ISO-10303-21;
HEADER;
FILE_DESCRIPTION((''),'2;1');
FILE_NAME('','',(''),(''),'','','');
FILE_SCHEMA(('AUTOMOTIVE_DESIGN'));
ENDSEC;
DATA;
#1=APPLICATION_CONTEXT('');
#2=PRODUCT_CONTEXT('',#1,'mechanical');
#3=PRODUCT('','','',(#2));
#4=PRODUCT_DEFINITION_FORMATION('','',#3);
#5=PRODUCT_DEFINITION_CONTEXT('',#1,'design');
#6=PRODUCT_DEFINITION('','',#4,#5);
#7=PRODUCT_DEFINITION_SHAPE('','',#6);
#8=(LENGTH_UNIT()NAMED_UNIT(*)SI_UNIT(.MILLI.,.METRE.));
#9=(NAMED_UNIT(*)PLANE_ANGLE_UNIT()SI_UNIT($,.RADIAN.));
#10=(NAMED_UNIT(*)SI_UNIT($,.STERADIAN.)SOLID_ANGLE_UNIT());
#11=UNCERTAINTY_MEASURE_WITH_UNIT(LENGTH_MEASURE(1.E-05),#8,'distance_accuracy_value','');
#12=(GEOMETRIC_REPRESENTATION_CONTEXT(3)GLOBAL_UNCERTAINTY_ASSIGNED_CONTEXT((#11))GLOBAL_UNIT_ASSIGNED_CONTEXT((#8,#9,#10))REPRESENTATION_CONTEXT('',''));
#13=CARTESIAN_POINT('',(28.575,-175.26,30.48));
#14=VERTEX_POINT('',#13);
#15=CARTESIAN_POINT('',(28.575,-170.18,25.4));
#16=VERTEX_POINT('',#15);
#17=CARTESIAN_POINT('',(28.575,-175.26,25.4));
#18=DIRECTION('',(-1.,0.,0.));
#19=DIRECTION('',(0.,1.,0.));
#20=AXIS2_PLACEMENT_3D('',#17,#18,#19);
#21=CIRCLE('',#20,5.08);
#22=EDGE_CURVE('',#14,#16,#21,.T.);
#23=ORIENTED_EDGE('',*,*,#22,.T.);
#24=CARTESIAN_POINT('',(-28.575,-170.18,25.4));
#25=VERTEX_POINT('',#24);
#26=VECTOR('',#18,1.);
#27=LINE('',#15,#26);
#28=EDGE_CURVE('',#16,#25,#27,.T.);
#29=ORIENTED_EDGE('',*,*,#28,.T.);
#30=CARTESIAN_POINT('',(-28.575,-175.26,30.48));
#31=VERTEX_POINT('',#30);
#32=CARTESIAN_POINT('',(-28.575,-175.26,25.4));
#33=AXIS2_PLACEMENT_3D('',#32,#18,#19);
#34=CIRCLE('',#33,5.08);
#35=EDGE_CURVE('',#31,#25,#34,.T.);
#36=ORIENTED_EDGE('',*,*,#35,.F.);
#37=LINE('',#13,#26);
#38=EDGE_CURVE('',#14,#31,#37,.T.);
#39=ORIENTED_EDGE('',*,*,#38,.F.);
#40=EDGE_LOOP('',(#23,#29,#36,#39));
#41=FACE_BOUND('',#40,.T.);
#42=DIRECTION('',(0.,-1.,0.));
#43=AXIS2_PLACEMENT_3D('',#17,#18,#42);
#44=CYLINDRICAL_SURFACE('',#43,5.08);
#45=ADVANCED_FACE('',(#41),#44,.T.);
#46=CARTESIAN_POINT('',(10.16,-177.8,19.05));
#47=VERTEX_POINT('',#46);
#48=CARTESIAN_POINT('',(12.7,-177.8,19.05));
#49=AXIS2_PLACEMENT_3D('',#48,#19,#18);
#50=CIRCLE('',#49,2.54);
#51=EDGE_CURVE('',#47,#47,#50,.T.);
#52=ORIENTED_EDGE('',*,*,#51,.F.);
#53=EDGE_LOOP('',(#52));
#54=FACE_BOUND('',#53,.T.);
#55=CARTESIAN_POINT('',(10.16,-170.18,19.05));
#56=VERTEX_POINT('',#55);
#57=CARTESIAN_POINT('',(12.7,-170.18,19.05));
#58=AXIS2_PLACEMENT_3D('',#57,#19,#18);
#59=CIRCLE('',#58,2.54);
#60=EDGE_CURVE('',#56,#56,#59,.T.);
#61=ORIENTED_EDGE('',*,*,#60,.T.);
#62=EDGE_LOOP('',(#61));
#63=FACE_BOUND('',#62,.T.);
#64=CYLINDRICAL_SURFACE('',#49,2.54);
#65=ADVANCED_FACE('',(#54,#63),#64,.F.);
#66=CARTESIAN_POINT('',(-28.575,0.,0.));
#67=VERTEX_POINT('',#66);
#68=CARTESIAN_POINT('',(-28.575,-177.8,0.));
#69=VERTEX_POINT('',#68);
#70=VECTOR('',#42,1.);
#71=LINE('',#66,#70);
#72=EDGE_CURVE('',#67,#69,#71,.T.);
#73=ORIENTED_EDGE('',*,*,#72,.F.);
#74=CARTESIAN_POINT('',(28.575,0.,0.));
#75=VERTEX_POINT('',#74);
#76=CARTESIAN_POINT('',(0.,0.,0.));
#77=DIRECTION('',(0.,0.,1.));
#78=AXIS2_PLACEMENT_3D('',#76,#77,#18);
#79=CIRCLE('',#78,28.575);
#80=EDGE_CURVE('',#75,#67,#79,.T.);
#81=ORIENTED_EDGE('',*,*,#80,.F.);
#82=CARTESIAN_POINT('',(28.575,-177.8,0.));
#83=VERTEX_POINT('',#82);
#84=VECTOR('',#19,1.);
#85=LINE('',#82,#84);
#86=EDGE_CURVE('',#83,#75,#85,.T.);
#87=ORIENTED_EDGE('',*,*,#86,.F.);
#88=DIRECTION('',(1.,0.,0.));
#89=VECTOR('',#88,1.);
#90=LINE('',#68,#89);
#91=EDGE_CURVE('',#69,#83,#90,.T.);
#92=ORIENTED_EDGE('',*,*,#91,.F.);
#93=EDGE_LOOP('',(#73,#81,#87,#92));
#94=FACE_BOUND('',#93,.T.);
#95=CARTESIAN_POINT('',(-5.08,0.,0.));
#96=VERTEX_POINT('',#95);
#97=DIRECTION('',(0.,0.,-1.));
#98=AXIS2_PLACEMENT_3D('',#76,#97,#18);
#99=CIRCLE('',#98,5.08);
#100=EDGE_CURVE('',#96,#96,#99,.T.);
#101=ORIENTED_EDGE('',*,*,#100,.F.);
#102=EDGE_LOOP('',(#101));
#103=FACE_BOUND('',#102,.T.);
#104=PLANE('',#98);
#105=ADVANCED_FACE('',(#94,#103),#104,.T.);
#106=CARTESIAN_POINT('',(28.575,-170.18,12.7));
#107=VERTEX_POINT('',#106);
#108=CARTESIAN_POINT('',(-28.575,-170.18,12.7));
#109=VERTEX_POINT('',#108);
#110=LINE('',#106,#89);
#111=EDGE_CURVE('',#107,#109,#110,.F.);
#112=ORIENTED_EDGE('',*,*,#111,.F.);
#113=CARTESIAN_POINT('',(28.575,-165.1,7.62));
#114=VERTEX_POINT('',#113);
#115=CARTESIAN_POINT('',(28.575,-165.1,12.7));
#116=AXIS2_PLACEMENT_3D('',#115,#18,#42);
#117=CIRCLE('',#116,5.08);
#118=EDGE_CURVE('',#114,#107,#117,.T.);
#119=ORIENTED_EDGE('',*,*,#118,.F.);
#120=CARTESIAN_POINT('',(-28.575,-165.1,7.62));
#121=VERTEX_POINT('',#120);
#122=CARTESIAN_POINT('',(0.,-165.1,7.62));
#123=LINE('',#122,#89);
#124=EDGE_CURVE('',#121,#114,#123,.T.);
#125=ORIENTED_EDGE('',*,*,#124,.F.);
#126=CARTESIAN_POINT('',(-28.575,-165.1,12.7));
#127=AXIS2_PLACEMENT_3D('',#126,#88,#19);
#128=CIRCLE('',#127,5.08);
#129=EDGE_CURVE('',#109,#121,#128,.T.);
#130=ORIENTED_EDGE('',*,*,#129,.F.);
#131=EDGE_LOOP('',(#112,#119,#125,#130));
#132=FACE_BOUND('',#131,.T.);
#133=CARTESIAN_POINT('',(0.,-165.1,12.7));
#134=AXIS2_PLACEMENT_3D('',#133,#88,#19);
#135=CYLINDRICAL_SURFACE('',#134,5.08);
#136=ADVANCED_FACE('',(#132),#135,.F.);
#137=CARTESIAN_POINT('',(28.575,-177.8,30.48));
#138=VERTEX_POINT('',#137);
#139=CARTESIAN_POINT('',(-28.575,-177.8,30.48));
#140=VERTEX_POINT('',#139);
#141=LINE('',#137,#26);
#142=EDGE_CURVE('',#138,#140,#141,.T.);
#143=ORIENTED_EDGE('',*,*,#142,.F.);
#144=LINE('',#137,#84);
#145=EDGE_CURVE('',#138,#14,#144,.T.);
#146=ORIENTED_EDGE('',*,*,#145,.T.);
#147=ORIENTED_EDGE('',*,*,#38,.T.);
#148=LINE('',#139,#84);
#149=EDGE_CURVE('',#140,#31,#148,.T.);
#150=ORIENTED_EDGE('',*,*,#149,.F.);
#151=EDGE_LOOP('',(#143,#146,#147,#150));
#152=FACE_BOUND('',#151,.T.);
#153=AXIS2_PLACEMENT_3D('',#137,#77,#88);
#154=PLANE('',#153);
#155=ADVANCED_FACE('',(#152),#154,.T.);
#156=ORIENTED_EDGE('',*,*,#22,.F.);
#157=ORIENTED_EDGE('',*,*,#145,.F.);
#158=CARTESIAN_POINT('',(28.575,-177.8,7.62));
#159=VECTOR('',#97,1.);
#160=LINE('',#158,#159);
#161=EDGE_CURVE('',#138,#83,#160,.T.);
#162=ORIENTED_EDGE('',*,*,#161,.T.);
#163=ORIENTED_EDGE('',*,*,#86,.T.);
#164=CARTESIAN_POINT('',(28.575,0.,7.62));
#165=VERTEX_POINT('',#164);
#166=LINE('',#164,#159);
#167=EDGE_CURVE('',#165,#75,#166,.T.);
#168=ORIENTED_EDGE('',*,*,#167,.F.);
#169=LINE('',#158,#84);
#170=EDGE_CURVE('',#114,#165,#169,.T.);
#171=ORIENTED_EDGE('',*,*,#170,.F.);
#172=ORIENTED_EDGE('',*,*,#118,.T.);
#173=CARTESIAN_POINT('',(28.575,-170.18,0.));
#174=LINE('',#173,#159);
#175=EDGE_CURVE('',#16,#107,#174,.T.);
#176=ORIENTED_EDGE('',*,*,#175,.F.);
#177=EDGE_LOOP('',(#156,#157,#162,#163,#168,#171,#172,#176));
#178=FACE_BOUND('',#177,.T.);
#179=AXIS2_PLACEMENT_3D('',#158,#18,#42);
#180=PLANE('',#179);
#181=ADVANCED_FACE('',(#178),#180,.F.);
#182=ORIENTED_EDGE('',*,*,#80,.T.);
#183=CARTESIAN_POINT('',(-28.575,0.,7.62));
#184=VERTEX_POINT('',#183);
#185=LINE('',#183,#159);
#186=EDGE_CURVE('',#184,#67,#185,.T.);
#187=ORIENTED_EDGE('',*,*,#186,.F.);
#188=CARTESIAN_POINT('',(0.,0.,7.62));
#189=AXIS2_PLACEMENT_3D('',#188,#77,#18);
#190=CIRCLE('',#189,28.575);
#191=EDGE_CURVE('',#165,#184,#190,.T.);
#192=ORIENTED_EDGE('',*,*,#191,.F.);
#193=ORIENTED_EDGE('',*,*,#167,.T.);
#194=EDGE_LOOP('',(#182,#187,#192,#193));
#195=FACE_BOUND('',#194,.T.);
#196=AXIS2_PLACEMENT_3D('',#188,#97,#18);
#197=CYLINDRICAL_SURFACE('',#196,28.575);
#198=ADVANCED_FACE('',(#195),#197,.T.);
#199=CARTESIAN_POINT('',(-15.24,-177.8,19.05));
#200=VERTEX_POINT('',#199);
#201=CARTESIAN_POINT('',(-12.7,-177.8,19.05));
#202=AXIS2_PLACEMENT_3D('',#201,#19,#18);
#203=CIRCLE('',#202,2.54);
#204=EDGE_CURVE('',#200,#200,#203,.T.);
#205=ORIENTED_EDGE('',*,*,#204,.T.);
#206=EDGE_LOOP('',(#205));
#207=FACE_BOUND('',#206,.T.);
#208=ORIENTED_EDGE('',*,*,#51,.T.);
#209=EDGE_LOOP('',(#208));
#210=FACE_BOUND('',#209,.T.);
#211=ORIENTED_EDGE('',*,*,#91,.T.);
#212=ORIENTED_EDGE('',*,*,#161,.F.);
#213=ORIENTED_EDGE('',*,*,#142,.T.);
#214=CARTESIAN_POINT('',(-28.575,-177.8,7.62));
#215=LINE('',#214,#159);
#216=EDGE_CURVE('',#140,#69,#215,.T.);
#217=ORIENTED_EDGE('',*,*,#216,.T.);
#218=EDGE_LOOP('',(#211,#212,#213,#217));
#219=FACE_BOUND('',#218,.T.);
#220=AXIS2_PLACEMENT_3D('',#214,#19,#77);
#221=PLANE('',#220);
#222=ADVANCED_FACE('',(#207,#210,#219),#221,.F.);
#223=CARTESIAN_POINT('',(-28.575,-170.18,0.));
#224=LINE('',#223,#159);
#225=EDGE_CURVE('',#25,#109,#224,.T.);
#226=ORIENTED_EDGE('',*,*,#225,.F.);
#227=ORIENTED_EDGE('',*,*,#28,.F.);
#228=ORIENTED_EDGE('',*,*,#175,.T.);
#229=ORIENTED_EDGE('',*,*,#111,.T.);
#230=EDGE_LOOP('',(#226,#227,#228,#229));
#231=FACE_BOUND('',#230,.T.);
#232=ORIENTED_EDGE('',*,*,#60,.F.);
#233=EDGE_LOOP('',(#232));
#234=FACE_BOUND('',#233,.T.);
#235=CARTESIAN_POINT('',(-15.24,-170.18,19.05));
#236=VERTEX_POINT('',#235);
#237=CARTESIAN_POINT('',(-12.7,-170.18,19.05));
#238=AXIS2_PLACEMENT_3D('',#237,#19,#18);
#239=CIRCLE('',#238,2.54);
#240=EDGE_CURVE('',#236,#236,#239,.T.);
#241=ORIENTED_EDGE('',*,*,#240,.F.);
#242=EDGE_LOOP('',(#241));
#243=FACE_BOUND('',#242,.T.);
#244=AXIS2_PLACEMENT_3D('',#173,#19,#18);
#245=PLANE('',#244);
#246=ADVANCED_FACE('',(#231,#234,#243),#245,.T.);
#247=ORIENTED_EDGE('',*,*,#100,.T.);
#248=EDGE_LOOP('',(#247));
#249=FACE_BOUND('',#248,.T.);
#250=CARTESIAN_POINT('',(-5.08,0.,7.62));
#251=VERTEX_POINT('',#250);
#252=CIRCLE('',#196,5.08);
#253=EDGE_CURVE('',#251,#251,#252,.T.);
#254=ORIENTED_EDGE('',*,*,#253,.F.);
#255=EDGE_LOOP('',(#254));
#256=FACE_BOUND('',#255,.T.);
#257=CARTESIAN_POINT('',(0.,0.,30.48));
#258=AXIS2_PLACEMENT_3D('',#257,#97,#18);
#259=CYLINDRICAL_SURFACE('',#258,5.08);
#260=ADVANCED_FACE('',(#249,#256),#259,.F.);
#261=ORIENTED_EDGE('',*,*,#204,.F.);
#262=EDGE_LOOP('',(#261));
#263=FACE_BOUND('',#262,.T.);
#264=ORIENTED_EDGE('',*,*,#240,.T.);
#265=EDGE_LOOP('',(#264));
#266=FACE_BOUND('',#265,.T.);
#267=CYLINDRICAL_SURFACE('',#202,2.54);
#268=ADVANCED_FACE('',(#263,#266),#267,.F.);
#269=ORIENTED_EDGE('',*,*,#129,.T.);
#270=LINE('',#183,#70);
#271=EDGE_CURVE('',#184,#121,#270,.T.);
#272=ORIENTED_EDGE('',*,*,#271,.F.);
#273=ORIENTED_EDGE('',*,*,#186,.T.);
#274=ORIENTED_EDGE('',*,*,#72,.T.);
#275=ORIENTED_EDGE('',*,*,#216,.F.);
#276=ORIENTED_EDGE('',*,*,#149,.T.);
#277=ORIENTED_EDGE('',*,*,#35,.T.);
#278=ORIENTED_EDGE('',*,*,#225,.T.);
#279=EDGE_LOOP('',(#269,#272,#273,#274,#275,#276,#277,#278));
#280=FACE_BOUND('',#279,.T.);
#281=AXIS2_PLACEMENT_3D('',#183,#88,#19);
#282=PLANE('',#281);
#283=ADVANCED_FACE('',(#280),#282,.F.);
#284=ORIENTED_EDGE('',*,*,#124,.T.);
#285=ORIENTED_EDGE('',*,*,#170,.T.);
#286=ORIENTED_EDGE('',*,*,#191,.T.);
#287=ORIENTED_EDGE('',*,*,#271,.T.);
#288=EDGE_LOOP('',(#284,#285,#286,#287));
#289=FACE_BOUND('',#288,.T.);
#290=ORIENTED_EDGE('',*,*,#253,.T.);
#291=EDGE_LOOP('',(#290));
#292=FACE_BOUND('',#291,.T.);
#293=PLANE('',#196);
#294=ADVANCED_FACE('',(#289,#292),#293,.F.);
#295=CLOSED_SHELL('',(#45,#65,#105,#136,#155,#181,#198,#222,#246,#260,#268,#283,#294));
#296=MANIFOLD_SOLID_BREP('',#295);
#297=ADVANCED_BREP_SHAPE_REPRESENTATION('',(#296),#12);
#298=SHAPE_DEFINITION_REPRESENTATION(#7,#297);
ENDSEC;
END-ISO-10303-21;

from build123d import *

# Parameters (mm, degrees)
BOSS_EXTRUDE1_DEPTH = 7.62
BOSS_EXTRUDE2_DEPTH = 57.15
FILLET1_R           = 5.08
SKETCH3_R           = 2.54
CUT_EXTRUDE1_DEPTH  = 204.09877166
SKETCH4_R           = 5.08
CUT_EXTRUDE2_DEPTH  = 183.642823634


with BuildPart() as part:
    # Sketch1 → Boss-Extrude1 (new body)
    with BuildSketch(Plane.XY):
        with BuildLine():
            Line((-28.575, 0), (-28.575, -177.8))
            Line((-28.575, -177.8), (28.575, -177.8))
            Line((28.575, -177.8), (28.575, 0))
            ThreePointArc((28.575, 0), (0, 28.575), (-28.575, 0))
        make_face()
    extrude(amount=BOSS_EXTRUDE1_DEPTH)

    # Sketch2 → Boss-Extrude2 (add, through all)
    with BuildSketch(Plane.ZY.offset(28.575)):
        with BuildLine():
            Line((0, -177.8), (30.48, -177.8))
            Line((30.48, -177.8), (30.48, -175.26))
            ThreePointArc((30.48, -175.26), (28.992102448, -171.667897552), (25.4, -170.18))
            Line((25.4, -170.18), (0, -170.18))
            Line((0, -170.18), (0, -177.8))
        make_face()
    extrude(amount=-BOSS_EXTRUDE2_DEPTH)

    # Fillet1
    fillet1_edges = [part.edges().sort_by_distance(p)[0] for p in [
        (0, -170.18, 7.62),
    ]]
    fillet(fillet1_edges, radius=FILLET1_R)

    # Sketch3 → Cut-Extrude1 (cut, through all)
    with BuildSketch(Plane(origin=(0, -170.18, 0), x_dir=(1, 0, 0), z_dir=(0, 1, 0))):
        with Locations(Location((12.7, -19.05, 0), (0, 0, 180))):
            Circle(SKETCH3_R)
        with Locations(Location((-12.7, -19.05, 0), (0, 0, 180))):
            Circle(SKETCH3_R)
    extrude(amount=-CUT_EXTRUDE1_DEPTH, mode=Mode.SUBTRACT)

    # Sketch4 → Cut-Extrude2 (cut, through all)
    with BuildSketch(Plane(origin=(0, 0, 0), x_dir=(-1, 0, 0), z_dir=(0, 0, -1))):
        Circle(SKETCH4_R)
    extrude(amount=-CUT_EXTRUDE2_DEPTH, mode=Mode.SUBTRACT)


solid = part.part
